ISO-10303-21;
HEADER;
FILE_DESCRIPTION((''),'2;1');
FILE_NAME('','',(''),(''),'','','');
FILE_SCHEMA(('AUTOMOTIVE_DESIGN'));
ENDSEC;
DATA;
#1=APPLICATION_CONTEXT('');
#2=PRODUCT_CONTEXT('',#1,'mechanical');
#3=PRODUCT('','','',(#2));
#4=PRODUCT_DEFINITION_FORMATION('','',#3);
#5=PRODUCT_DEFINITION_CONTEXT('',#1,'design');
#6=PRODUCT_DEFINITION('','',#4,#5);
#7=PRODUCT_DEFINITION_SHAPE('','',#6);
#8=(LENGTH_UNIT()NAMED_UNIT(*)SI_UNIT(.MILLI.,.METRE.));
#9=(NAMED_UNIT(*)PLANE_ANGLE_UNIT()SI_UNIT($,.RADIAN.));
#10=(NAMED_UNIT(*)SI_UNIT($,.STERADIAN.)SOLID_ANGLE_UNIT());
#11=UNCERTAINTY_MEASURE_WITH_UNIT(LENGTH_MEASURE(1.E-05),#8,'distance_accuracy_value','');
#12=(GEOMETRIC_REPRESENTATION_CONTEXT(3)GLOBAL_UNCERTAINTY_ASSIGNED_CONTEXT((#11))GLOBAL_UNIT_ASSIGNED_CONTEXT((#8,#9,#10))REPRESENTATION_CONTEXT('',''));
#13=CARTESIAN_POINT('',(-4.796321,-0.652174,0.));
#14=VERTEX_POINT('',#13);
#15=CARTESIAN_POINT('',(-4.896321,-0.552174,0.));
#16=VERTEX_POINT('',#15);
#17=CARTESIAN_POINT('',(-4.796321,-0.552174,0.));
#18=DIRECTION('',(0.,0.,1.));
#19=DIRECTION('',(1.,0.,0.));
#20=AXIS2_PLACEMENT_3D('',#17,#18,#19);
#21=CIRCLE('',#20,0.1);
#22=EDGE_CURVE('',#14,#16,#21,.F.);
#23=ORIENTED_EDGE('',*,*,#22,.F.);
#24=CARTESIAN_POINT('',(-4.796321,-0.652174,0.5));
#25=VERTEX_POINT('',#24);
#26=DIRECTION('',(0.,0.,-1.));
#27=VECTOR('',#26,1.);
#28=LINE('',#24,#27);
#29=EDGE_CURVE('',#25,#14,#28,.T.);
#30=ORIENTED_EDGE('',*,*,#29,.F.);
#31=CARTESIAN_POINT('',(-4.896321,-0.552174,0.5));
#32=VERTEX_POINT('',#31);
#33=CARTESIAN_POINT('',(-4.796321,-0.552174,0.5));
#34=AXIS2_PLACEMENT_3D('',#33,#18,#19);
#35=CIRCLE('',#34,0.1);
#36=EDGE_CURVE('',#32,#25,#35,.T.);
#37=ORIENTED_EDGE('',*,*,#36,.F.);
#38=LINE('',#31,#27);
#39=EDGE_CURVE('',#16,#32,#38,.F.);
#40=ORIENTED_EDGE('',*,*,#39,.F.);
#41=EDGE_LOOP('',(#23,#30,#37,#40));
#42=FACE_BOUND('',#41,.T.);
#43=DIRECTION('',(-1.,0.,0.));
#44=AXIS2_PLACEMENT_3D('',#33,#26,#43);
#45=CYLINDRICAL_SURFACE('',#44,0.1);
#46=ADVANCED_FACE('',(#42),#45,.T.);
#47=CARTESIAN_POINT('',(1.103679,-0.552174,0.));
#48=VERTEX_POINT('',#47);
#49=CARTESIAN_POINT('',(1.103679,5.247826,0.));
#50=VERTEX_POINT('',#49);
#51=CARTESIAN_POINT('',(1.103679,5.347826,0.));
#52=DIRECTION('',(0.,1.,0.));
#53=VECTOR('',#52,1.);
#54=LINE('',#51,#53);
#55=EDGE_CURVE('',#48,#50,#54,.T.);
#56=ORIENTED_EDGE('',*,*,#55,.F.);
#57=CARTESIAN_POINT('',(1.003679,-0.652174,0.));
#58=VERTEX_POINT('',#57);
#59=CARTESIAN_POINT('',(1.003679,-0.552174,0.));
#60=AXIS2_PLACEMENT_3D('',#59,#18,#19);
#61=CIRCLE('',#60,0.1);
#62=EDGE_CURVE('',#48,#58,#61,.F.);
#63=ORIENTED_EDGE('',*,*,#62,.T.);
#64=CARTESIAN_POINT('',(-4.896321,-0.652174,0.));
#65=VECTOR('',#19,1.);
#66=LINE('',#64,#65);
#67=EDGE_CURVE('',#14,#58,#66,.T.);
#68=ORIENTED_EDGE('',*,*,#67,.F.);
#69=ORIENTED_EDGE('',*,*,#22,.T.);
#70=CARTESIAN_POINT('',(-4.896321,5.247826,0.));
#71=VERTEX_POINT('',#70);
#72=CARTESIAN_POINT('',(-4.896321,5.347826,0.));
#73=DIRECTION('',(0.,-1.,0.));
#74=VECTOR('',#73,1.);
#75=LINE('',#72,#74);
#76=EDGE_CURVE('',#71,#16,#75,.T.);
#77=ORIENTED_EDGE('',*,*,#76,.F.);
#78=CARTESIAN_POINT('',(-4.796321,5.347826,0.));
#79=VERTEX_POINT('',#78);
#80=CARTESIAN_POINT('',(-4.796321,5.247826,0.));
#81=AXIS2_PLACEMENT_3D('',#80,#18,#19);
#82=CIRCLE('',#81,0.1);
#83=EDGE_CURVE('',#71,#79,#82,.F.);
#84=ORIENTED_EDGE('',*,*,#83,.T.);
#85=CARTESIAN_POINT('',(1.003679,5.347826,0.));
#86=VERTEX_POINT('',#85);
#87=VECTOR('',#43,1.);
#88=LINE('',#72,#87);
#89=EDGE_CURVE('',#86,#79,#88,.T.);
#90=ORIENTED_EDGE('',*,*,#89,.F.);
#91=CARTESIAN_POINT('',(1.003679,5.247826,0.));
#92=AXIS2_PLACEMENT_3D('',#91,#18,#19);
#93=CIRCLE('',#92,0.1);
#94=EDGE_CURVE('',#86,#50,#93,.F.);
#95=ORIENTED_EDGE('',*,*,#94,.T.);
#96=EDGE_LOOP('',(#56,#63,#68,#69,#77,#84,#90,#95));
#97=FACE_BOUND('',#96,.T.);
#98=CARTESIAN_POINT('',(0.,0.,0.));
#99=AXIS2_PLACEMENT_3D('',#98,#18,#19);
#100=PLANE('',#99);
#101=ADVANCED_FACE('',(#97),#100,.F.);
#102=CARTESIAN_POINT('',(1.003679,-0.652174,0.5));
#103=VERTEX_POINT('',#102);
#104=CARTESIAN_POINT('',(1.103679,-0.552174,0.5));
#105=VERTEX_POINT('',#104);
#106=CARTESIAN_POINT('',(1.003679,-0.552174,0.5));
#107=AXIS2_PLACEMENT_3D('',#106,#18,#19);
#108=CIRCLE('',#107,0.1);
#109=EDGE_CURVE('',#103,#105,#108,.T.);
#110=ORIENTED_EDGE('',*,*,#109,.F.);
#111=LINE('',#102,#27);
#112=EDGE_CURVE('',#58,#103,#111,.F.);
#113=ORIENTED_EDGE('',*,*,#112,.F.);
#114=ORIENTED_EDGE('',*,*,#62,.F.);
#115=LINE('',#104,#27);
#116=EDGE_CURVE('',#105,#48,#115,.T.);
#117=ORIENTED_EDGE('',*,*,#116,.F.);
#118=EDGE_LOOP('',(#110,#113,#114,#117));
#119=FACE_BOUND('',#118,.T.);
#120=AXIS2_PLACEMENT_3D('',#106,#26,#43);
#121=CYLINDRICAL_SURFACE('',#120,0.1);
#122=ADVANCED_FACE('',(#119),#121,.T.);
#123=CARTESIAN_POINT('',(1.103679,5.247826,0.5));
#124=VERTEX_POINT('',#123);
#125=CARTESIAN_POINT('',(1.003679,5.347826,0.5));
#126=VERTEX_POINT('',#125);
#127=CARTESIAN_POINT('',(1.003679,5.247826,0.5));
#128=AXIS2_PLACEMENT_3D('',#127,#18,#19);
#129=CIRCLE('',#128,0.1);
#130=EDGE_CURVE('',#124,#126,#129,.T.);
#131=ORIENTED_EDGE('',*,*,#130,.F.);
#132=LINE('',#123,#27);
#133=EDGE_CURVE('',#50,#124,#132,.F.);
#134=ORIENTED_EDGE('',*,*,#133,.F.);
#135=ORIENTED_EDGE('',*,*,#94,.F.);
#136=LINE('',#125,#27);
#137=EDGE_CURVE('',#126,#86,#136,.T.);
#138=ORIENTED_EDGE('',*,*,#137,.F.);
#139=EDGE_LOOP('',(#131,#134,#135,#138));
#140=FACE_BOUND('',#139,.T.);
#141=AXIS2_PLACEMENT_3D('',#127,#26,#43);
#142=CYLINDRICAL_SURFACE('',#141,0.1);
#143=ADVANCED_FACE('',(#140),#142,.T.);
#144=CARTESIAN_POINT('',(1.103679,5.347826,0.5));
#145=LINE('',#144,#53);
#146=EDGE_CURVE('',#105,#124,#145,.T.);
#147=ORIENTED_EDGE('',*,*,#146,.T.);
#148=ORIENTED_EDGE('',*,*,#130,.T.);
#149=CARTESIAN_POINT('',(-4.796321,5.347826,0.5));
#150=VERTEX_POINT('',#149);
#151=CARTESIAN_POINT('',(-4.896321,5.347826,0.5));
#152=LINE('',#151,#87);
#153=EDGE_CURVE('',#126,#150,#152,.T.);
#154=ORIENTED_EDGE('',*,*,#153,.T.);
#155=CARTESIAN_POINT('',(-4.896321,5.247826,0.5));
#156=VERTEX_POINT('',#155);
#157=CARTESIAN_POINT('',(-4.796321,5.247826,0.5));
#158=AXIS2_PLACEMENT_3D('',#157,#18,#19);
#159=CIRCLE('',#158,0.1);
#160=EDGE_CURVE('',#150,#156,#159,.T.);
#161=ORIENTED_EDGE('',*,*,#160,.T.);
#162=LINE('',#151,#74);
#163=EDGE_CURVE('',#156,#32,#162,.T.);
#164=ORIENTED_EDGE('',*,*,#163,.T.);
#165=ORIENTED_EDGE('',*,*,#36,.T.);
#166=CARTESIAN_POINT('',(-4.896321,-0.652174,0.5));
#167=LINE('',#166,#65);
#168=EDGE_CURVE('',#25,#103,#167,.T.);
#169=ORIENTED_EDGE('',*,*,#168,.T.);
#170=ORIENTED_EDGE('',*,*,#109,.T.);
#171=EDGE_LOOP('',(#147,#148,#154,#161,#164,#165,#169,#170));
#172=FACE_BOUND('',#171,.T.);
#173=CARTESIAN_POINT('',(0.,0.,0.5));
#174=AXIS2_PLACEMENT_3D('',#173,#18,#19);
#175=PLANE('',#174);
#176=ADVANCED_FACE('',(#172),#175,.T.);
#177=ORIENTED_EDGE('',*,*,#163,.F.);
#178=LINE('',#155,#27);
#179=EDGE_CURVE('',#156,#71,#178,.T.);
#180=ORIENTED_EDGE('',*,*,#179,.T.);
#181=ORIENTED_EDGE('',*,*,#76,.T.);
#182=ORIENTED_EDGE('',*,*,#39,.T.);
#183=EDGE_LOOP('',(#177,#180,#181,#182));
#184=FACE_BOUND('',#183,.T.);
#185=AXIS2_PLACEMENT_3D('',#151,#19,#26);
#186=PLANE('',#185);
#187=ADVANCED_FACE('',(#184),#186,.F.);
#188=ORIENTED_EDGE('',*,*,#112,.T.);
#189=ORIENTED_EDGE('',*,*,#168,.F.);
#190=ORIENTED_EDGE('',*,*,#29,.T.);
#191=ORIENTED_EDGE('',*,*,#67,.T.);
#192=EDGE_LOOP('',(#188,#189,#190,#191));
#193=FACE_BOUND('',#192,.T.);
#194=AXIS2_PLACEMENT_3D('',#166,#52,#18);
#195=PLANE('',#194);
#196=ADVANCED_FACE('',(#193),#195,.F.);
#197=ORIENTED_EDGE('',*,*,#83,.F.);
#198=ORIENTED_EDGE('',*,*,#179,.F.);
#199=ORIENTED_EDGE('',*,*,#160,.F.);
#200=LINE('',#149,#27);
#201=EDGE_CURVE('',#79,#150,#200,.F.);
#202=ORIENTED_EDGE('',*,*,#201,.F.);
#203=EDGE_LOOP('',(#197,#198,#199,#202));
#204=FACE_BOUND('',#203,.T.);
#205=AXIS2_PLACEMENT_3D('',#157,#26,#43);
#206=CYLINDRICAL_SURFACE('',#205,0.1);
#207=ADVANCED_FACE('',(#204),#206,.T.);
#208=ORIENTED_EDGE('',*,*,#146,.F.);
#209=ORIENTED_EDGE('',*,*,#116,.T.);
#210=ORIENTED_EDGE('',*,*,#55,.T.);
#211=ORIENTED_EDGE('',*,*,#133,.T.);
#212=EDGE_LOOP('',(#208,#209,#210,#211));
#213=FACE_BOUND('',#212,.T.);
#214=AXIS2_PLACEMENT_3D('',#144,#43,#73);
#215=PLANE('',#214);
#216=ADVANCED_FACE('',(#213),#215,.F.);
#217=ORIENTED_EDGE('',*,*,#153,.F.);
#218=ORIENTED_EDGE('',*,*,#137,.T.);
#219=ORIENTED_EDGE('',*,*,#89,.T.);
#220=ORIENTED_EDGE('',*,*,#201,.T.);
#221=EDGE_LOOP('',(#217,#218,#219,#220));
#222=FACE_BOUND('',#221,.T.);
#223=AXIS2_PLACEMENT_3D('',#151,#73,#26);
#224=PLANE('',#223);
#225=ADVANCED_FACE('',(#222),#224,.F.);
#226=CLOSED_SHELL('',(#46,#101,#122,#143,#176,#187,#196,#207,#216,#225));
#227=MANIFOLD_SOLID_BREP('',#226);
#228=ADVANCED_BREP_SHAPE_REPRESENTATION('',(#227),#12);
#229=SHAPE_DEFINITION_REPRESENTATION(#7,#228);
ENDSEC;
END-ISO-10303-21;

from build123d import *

# Parameters (mm, degrees)
SKETCH_1_W      = 6
SKETCH_1_H      = 6
EXTRUDE_1_DEPTH = 0.5
FILLET_1_R      = 0.1


with BuildPart() as part:
    # 草图1 → 凸台-拉伸1 (new body)
    with BuildSketch(Plane.XY):
        with Locations((-1.89632107, 2.347826087)):
            Rectangle(SKETCH_1_W, SKETCH_1_H)
    extrude(amount=EXTRUDE_1_DEPTH)

    # 圆角1
    fillet_1_edges = [part.edges().sort_by_distance(p)[0] for p in [
        (-4.89632107, 5.347826087, 0.25),
        (1.10367893, 5.347826087, 0.25),
        (1.10367893, -0.652173913, 0.25),
        (-4.89632107, -0.652173913, 0.25),
    ]]
    fillet(fillet_1_edges, radius=FILLET_1_R)


solid = part.part
